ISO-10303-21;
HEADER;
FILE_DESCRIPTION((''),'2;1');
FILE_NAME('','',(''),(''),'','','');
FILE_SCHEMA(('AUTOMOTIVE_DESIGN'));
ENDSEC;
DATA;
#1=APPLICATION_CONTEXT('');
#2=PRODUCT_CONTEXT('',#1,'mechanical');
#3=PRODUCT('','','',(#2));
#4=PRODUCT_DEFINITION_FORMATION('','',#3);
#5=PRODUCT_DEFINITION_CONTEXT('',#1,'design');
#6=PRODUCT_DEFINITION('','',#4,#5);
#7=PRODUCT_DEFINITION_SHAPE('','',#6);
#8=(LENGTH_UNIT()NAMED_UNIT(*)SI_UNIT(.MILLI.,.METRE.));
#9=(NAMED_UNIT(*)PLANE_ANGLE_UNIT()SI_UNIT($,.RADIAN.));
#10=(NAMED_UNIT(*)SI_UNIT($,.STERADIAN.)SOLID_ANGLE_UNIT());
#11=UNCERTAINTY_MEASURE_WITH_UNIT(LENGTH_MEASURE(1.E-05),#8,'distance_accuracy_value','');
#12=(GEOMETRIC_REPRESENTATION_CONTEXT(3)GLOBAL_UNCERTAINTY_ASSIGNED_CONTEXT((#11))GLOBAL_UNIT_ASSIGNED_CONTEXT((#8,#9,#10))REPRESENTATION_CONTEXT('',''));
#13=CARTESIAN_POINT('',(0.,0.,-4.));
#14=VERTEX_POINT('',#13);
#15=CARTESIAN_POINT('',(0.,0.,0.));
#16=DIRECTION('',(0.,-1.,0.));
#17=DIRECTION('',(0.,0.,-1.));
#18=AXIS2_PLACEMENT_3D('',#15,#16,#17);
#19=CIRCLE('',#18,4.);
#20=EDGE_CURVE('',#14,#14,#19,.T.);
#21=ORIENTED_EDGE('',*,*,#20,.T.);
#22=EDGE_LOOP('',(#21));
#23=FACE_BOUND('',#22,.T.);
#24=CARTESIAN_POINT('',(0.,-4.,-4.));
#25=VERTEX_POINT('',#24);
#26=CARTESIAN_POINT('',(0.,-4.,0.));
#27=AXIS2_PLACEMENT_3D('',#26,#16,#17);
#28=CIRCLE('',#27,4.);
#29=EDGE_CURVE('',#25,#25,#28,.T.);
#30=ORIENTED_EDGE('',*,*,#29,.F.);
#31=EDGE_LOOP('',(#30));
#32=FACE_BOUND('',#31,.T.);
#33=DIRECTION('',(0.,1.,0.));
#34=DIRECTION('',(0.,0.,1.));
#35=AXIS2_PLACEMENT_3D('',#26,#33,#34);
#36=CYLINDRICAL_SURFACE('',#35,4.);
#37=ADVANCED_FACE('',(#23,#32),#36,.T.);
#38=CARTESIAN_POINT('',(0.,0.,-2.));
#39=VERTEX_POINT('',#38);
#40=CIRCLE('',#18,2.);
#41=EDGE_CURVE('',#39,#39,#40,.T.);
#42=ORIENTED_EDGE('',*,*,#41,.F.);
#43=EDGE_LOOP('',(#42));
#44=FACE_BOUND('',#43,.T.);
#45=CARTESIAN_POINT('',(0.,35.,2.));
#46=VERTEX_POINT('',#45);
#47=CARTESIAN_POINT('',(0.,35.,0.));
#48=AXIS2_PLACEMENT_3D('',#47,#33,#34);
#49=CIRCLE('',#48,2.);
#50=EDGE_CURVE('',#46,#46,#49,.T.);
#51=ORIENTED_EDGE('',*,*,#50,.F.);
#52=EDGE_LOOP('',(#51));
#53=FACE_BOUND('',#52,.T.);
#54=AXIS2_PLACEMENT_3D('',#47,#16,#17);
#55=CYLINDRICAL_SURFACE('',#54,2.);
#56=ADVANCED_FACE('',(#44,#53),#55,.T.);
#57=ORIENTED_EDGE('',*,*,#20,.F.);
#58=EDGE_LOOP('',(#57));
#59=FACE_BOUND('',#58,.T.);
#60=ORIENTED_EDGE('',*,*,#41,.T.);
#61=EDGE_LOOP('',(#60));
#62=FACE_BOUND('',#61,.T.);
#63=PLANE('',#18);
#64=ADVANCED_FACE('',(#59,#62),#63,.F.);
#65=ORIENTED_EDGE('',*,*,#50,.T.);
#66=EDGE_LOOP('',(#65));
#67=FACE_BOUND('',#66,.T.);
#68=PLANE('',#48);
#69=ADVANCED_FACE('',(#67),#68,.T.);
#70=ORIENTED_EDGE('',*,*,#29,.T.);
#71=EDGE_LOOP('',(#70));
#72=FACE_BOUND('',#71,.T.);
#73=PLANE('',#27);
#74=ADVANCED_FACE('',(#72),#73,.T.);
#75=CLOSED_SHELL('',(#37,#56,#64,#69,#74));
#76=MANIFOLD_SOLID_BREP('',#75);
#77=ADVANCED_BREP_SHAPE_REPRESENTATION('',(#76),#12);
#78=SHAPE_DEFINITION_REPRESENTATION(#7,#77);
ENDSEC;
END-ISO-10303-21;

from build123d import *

# Parameters (mm, degrees)
SKETCH_1_R      = 2
EXTRUDE_1_DEPTH = 35
SKETCH_2_R      = 4
EXTRUDE_2_DEPTH = 4


with BuildPart() as part:
    # 草图1 → 凸台-拉伸1 (new body)
    with BuildSketch(Plane(origin=(0, 0, 0), x_dir=(1, 0, 0), z_dir=(0, 1, 0))):
        with Locations(Location((0, 0, 0), (0, 0, 270))):
            Circle(SKETCH_1_R)
    extrude(amount=EXTRUDE_1_DEPTH)

    # 草图2 → 凸台-拉伸2 (add)
    with BuildSketch(Plane.XZ):
        with Locations(Location((0, 0, 0), (0, 0, 270))):
            Circle(SKETCH_2_R)
    extrude(amount=EXTRUDE_2_DEPTH)


solid = part.part
